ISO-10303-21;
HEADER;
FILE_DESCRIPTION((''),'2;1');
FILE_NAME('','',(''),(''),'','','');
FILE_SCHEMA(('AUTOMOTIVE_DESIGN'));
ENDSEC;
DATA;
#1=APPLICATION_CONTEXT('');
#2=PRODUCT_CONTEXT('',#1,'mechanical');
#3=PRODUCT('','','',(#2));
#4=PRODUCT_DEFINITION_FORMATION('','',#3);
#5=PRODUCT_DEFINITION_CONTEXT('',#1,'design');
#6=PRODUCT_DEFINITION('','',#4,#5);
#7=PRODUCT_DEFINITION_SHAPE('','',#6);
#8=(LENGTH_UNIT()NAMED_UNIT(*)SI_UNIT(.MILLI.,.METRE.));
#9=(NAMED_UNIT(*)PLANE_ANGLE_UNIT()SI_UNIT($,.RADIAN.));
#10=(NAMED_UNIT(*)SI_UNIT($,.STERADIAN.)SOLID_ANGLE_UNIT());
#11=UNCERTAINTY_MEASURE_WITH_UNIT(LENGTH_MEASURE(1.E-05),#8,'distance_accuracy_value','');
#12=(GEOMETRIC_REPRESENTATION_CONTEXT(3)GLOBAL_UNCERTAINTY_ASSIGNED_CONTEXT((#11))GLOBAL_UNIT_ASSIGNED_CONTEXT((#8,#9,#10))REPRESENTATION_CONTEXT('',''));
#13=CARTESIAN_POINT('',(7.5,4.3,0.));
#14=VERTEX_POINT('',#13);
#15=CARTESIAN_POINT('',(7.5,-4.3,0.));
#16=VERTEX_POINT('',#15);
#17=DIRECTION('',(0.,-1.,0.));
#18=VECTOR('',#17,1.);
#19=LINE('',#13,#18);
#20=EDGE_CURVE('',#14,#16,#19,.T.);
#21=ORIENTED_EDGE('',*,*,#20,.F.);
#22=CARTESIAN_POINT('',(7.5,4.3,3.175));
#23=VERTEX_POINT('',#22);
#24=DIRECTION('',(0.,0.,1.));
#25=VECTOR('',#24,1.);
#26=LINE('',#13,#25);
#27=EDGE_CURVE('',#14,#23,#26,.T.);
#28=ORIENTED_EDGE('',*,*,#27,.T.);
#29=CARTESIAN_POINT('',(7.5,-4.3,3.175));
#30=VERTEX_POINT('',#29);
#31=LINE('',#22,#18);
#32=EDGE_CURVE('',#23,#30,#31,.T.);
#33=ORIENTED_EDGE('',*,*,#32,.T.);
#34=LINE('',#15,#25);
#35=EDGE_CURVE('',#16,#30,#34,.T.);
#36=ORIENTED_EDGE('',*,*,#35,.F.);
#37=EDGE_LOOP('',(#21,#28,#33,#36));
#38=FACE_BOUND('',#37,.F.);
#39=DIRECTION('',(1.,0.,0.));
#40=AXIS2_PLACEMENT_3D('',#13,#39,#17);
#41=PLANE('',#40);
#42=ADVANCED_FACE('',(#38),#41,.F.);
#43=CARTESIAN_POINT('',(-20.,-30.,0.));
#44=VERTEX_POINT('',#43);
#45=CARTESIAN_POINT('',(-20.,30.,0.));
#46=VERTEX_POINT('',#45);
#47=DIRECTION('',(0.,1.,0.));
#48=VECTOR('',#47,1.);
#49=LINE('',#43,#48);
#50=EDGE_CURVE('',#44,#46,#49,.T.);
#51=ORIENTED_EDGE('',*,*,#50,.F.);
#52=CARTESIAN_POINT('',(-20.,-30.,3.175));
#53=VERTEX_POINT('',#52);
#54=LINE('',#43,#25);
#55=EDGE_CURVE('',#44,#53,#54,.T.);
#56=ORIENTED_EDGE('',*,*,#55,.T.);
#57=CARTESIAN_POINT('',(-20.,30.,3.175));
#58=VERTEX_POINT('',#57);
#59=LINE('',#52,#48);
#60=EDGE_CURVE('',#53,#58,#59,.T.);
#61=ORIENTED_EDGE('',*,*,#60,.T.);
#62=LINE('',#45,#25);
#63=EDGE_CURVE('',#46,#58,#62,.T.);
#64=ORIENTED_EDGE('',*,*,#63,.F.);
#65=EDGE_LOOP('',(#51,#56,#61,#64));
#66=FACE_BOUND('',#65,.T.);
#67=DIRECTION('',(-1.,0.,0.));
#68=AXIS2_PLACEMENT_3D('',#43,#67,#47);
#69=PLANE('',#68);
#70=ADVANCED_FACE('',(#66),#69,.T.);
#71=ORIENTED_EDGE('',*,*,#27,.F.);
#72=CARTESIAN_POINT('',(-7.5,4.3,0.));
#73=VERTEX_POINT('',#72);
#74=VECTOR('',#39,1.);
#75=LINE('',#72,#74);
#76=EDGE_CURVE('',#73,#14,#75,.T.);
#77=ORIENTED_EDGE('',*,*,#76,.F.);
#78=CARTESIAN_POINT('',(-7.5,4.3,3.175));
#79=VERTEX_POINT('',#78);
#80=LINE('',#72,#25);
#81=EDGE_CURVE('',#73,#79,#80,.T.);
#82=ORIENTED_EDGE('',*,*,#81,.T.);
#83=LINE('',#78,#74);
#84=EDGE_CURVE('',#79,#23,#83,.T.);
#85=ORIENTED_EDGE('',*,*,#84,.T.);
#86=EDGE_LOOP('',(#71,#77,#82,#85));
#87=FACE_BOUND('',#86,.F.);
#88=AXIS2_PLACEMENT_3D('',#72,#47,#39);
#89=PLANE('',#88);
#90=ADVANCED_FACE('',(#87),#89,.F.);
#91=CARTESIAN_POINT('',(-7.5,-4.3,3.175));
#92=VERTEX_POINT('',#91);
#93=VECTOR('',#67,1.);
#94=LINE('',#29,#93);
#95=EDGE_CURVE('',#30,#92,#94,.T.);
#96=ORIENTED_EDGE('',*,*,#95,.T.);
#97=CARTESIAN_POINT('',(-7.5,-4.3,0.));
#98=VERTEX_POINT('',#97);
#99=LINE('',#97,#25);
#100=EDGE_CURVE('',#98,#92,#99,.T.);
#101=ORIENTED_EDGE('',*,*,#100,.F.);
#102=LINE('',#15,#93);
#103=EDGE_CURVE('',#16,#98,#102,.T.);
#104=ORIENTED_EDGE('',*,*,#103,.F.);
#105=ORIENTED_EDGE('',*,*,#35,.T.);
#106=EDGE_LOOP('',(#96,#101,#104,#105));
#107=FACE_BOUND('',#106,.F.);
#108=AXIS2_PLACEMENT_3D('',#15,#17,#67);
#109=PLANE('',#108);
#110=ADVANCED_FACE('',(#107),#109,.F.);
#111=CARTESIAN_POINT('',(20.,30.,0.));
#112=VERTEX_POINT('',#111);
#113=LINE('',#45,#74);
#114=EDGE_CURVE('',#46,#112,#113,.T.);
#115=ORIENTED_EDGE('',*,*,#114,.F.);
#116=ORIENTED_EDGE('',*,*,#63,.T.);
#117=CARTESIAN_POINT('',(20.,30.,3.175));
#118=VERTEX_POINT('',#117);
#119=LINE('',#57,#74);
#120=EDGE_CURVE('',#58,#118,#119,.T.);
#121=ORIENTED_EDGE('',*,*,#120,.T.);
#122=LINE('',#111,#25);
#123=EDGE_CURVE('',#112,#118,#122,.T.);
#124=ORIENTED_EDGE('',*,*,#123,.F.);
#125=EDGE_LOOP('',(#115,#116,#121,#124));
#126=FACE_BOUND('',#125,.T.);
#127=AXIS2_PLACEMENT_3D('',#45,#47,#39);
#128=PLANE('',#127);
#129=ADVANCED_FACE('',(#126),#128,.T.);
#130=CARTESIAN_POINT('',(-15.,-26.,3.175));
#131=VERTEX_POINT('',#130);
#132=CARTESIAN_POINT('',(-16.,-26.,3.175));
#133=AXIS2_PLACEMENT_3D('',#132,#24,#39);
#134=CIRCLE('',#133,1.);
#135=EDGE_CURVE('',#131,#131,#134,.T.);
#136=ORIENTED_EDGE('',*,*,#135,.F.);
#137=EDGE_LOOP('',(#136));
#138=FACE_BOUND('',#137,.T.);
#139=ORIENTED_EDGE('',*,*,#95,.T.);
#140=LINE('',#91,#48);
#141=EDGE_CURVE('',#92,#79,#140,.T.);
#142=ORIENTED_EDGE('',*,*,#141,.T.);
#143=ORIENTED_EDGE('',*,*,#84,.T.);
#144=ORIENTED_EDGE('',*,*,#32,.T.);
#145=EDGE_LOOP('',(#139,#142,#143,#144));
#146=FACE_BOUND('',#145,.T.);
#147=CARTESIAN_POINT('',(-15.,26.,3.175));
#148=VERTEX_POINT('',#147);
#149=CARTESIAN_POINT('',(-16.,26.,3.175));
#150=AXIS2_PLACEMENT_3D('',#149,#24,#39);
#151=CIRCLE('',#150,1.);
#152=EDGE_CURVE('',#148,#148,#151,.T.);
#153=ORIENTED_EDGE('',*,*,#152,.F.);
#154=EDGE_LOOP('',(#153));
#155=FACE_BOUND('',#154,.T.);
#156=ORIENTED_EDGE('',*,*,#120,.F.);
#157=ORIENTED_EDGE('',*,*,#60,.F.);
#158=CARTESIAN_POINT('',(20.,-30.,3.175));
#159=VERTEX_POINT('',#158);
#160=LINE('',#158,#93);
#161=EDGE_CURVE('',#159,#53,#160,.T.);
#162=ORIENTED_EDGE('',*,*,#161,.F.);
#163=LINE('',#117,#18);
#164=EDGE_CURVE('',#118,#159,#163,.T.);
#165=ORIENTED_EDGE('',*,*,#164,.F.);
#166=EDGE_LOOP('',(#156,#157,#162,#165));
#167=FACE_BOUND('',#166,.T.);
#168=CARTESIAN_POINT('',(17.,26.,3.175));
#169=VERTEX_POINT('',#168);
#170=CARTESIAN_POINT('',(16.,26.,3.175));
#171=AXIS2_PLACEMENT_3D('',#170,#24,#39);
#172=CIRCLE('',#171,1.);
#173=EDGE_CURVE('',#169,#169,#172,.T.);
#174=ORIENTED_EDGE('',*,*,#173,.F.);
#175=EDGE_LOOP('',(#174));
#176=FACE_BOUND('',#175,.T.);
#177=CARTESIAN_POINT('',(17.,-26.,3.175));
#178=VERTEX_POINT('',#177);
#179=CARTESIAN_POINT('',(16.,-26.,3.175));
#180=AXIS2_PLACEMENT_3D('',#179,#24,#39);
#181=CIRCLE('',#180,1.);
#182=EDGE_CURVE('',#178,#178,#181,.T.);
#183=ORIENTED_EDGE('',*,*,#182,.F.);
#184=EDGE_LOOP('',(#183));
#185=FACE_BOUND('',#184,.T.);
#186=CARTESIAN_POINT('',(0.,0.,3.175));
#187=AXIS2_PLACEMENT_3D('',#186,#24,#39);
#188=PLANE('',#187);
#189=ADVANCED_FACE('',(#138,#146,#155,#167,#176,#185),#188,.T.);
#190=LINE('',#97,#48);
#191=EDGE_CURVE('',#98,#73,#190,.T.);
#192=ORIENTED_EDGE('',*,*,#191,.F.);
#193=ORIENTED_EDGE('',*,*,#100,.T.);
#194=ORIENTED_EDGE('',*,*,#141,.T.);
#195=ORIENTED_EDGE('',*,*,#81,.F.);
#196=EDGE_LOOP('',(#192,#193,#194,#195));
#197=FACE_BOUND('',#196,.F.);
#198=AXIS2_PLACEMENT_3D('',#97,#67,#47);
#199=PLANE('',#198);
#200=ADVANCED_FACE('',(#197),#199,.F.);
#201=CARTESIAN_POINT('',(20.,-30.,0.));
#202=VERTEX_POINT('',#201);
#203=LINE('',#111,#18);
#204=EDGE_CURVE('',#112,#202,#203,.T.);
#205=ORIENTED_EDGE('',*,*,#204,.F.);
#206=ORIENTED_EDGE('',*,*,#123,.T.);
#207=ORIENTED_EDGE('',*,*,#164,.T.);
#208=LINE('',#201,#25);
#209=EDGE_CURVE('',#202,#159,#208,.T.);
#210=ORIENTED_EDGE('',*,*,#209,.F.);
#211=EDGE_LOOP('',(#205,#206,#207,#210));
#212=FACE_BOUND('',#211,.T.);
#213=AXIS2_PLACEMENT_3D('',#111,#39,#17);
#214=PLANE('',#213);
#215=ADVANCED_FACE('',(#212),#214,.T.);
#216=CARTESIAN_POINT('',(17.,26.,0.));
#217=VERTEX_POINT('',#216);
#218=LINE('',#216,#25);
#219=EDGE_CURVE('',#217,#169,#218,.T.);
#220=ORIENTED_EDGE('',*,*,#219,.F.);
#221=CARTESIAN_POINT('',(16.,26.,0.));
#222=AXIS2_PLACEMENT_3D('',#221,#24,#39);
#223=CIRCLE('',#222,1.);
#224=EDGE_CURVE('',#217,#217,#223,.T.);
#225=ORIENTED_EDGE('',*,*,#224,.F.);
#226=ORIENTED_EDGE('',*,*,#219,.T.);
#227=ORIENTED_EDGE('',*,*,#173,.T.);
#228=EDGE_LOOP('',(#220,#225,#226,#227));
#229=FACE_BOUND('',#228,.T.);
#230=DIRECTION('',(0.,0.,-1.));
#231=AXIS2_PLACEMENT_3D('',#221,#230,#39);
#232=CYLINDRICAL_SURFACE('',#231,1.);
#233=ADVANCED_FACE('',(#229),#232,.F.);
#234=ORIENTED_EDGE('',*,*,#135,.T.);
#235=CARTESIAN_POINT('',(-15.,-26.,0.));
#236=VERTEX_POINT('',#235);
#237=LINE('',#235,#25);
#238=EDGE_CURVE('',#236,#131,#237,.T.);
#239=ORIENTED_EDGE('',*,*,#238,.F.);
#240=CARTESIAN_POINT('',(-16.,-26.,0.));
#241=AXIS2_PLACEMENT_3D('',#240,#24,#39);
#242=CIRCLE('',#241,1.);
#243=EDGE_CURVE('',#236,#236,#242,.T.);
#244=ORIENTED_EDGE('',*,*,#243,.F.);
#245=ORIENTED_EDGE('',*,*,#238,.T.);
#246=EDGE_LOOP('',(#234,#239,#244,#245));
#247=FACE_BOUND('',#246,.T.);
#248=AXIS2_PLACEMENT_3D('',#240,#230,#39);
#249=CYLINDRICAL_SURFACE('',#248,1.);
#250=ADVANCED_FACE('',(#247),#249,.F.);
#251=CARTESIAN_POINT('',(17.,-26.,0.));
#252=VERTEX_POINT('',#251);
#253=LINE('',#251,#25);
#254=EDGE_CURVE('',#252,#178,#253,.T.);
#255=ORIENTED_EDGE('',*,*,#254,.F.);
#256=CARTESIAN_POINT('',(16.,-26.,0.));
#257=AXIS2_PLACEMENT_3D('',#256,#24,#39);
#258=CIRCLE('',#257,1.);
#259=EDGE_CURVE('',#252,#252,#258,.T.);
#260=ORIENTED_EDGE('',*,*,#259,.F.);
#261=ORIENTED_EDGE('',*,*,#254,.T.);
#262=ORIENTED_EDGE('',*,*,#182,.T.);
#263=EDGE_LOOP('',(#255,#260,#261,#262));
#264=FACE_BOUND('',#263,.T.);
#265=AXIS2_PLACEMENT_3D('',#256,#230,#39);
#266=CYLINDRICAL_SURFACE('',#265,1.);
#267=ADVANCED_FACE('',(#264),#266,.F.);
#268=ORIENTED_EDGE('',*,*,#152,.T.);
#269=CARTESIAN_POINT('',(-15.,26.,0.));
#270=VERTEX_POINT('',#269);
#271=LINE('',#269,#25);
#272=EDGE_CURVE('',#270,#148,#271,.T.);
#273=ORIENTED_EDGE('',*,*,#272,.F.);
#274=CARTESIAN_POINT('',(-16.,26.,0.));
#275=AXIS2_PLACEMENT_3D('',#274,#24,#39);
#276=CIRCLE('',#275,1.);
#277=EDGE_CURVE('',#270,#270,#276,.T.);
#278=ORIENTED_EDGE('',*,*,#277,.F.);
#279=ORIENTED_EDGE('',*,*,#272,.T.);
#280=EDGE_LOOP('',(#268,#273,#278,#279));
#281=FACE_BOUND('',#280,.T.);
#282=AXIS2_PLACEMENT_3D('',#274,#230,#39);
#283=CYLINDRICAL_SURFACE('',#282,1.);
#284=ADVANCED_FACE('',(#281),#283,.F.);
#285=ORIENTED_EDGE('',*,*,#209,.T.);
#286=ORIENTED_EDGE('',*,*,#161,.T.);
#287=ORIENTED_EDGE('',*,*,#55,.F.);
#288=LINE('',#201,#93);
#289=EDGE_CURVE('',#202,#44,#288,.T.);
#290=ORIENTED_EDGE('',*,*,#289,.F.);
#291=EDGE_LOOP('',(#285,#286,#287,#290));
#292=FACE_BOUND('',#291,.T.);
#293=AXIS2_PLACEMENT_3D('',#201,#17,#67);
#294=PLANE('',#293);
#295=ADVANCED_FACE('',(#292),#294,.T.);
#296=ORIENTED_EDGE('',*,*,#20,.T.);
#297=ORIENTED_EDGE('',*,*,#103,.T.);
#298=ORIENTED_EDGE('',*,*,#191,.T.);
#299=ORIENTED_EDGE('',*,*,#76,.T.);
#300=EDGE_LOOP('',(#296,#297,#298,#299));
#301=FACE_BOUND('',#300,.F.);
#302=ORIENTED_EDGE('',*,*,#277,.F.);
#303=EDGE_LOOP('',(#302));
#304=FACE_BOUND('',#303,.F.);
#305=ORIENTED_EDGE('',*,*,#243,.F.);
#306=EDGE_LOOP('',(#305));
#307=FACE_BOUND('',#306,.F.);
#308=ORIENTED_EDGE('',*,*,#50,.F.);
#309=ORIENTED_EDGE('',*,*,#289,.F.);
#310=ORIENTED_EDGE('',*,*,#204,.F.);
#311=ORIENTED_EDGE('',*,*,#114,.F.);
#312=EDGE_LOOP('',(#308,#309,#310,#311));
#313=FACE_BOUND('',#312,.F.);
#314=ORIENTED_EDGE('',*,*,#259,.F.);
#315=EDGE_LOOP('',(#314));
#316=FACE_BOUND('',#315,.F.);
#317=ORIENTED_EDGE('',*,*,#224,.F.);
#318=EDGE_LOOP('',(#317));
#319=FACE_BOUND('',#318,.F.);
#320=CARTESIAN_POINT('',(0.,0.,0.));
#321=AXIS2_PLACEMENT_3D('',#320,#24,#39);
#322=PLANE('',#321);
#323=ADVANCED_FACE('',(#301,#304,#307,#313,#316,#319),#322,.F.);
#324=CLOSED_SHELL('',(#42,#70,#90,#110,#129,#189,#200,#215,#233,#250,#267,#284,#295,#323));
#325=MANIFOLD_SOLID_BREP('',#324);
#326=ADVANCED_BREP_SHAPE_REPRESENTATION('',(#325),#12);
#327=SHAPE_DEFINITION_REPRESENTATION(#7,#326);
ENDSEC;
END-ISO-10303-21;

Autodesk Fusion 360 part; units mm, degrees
sketch "Sketch1" plane through (0, 0, 0) normal (0, 0, 1) x (1, 0, 0)
  line L0 (-16, 26) -> (16, 26) construction
  line L1 (16, 26) -> (16, -26) construction
  line L2 (16, -26) -> (-16, -26) construction
  line L3 (-16, -26) -> (-16, 26) construction
  line L4 (-16, 26) -> (16, -26) construction
  line L5 (16, 26) -> (-16, -26) construction
  line L6 (-7.5, 4.3) -> (7.5, 4.3)
  line L7 (7.5, 4.3) -> (7.5, -4.3)
  line L8 (7.5, -4.3) -> (-7.5, -4.3)
  line L9 (-7.5, -4.3) -> (-7.5, 4.3)
  line L10 (-7.5, 4.3) -> (7.5, -4.3) construction
  line L11 (7.5, 4.3) -> (-7.5, -4.3) construction
  line L12 (-20, 30) -> (20, 30)
  line L13 (20, 30) -> (20, -30)
  line L14 (20, -30) -> (-20, -30)
  line L15 (-20, -30) -> (-20, 30)
  line L16 (-20, 30) -> (20, -30) construction
  line L17 (20, 30) -> (-20, -30) construction
  circle A0 centre (-16, -26) radius 1
  circle A1 centre (16, -26) radius 1
  circle A2 centre (-16, 26) radius 1
  circle A3 centre (16, 26) radius 1
  dimension "d1" = 32
  dimension "d2" = 52
  dimension "d3" = 15
  dimension "d4" = 8.6
  dimension "d5" = 40
  dimension "d6" = 60
  dimension "d7" = 2
  dimension "d8" = 2
  dimension "d9" = 2
  dimension "d10" = 2
extrude "Extrude1" add sketch "Sketch1" along normal blind 3.175
